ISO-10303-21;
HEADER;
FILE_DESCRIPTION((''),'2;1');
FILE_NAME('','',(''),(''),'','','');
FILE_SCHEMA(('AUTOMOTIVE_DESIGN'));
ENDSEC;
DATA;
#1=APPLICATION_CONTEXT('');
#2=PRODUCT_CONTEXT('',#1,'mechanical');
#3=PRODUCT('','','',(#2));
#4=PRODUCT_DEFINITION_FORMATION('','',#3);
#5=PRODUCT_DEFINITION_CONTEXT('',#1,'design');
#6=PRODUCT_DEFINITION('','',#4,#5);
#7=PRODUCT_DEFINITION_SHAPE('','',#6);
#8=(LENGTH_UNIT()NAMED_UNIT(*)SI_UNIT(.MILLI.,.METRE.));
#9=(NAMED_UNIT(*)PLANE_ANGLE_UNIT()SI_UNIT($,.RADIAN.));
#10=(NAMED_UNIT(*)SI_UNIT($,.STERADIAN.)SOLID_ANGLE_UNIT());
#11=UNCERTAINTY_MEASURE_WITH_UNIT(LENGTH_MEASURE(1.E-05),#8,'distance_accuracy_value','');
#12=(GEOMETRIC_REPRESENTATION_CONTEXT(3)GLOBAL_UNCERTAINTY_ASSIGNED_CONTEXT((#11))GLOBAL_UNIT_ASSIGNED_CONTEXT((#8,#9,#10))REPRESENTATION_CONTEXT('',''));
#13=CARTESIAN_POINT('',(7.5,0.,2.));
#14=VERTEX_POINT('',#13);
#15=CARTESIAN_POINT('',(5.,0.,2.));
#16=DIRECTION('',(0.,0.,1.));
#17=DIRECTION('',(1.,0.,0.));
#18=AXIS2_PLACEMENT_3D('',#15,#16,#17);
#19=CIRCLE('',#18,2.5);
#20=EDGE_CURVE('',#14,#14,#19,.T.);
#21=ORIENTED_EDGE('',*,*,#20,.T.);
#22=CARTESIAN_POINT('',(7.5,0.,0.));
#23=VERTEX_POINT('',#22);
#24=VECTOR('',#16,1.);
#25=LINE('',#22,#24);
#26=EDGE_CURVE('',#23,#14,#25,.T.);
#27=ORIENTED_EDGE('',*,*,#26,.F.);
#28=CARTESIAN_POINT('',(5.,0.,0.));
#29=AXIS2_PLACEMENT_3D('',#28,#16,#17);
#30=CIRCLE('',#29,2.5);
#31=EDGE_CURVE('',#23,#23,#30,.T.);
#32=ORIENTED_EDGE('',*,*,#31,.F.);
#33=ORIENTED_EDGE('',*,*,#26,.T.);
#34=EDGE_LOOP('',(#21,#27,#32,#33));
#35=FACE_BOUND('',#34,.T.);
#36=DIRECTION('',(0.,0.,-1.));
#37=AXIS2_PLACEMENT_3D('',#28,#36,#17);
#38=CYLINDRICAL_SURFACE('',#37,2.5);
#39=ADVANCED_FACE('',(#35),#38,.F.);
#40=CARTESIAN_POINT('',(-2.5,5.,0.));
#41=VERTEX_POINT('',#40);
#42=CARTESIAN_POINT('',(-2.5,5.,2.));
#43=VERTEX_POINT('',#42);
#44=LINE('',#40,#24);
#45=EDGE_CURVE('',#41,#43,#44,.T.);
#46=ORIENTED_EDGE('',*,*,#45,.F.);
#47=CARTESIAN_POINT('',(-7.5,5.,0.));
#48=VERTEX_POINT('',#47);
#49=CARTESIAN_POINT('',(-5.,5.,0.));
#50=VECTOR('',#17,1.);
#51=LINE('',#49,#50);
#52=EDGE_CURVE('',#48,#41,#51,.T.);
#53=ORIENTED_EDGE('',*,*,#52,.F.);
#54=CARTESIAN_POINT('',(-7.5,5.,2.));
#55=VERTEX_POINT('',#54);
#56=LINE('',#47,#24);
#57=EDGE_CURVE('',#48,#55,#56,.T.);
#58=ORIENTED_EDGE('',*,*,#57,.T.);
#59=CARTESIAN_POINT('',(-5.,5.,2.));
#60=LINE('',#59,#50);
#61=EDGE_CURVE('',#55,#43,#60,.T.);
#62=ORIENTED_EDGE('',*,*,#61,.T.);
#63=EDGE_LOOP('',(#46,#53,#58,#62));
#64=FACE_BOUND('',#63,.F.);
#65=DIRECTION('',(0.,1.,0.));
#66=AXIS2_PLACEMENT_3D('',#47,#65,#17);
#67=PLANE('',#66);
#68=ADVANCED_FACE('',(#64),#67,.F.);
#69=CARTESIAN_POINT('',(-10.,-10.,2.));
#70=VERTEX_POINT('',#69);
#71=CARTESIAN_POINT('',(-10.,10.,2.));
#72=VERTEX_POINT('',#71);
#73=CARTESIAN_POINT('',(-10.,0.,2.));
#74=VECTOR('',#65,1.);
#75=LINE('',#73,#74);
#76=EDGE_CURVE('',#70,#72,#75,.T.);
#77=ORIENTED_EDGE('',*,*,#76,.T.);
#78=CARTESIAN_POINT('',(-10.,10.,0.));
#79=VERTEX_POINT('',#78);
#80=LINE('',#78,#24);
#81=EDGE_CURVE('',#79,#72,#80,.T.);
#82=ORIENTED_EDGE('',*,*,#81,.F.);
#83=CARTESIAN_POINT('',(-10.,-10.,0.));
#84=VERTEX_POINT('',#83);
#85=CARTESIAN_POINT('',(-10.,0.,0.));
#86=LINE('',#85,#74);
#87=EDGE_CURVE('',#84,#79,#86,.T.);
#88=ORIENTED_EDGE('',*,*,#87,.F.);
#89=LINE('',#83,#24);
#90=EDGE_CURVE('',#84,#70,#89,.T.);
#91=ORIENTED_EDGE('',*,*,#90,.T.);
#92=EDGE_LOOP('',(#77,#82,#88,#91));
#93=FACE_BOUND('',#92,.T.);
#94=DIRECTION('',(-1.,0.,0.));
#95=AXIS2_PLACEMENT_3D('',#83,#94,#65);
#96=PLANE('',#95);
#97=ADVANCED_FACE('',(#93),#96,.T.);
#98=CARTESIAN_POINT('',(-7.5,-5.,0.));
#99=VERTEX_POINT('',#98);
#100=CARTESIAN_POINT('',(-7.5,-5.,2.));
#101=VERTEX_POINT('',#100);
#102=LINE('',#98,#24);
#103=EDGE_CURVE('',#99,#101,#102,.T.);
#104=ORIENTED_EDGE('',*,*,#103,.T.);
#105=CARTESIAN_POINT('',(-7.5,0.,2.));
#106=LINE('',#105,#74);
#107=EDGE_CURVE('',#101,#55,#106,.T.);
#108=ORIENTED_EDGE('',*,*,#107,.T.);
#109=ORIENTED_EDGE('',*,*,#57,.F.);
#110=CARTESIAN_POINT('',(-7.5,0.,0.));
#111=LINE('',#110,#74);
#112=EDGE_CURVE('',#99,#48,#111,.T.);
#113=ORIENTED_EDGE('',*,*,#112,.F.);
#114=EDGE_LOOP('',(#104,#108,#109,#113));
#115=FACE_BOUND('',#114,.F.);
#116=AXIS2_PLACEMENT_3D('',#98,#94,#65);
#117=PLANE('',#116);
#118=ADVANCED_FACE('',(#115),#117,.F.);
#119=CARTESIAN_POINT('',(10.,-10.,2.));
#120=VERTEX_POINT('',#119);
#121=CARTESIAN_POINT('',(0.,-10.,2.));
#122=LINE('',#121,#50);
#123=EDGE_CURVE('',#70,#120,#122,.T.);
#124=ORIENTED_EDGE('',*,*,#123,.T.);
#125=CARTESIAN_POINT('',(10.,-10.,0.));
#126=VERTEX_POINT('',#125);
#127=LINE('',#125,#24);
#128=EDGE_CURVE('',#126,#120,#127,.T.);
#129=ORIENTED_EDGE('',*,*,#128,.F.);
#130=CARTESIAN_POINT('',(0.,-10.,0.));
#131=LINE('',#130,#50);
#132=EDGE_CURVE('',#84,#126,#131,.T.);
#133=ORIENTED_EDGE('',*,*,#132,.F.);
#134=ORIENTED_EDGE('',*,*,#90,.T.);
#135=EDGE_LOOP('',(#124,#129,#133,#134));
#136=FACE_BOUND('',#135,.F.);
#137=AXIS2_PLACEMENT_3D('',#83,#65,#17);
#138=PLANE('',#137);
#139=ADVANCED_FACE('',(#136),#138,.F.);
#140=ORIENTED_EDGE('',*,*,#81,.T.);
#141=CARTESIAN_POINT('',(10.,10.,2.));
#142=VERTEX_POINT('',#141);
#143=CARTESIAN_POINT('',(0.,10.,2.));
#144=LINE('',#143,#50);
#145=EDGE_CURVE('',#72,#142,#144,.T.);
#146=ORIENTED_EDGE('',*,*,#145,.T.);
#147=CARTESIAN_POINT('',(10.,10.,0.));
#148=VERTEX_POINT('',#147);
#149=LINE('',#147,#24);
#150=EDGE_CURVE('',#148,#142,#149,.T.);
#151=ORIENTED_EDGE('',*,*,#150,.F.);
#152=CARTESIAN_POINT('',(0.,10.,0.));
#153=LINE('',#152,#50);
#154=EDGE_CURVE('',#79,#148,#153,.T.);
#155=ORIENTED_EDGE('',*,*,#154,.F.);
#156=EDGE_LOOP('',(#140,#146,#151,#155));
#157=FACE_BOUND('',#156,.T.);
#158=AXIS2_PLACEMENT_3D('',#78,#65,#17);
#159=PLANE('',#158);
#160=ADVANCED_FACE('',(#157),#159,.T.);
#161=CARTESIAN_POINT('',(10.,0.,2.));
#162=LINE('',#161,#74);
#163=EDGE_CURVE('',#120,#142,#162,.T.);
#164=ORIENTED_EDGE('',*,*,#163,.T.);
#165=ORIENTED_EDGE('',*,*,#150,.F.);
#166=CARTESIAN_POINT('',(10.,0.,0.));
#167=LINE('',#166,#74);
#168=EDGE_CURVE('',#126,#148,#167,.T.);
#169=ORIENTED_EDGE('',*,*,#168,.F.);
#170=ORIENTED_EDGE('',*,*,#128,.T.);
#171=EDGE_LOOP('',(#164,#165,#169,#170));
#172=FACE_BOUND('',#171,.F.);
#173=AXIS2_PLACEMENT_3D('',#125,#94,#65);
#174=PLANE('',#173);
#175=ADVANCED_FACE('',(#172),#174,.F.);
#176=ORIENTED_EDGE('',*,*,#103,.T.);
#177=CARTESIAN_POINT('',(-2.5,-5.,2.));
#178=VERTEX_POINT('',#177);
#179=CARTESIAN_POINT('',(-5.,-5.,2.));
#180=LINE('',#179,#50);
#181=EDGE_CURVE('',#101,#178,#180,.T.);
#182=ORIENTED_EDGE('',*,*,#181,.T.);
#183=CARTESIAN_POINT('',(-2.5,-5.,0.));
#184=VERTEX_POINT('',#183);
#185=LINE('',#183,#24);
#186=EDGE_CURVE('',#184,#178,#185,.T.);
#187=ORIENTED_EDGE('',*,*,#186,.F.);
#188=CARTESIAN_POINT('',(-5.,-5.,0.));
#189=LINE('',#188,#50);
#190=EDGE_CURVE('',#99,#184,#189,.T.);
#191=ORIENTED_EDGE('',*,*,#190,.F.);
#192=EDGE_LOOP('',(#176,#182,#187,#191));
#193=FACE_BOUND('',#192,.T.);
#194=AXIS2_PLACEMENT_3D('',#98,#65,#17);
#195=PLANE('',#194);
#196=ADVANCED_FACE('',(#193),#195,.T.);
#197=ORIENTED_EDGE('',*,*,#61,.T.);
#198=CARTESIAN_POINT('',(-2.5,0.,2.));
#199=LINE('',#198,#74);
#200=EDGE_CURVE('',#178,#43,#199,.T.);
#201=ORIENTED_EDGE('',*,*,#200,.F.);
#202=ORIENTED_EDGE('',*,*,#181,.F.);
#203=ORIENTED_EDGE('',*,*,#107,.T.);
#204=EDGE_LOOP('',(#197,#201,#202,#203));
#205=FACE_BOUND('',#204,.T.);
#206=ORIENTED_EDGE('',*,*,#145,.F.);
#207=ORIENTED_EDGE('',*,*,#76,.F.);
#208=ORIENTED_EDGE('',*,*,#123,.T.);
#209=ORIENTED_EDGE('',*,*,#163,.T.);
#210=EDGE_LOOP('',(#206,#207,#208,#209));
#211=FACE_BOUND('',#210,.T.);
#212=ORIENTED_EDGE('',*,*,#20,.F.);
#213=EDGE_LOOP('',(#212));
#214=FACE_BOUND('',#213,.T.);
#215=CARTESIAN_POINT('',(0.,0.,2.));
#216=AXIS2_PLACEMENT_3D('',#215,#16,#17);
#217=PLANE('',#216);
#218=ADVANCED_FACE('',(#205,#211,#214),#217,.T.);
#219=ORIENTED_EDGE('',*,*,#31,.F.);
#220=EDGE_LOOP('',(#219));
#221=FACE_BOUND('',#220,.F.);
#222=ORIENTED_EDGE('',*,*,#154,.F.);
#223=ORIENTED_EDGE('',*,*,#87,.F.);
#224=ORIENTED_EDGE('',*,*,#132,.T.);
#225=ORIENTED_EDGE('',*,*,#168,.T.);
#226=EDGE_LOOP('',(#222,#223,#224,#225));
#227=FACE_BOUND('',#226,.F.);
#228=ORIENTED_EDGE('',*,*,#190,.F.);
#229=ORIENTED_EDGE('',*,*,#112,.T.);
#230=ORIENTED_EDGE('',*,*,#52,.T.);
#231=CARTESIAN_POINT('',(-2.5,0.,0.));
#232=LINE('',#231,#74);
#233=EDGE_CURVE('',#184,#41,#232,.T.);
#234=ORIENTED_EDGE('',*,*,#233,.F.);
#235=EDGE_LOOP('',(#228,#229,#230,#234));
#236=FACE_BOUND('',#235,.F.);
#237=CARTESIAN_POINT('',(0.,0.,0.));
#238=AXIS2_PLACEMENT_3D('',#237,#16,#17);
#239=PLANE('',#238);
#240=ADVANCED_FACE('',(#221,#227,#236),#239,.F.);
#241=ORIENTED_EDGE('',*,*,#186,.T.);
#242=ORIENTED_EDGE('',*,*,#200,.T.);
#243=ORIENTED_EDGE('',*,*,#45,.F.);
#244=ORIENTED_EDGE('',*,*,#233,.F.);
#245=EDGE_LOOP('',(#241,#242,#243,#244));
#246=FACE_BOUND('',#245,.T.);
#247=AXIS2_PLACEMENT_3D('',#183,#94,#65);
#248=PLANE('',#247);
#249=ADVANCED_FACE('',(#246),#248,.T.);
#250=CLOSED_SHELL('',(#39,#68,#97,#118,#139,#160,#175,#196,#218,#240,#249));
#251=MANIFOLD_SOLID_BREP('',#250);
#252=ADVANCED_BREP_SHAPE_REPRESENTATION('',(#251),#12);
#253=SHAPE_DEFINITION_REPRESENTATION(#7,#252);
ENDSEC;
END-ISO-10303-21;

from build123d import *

# Parameters (mm, degrees)
F0_W     = 20
F0_H     = 20
F0_W_2   = 5
F0_H_2   = 10
F0_R     = 2.5
F1_DEPTH = 2


with BuildPart() as f1:
    # F0 (on Top) → F1 (new body)
    with BuildSketch(Plane.XY):
        Rectangle(F0_W, F0_H)
        with Locations((-5, 0)):
            Rectangle(F0_W_2, F0_H_2, mode=Mode.SUBTRACT)
        with Locations((5, 0)):
            Circle(F0_R, mode=Mode.SUBTRACT)
    extrude(amount=F1_DEPTH)


solid = f1.part
